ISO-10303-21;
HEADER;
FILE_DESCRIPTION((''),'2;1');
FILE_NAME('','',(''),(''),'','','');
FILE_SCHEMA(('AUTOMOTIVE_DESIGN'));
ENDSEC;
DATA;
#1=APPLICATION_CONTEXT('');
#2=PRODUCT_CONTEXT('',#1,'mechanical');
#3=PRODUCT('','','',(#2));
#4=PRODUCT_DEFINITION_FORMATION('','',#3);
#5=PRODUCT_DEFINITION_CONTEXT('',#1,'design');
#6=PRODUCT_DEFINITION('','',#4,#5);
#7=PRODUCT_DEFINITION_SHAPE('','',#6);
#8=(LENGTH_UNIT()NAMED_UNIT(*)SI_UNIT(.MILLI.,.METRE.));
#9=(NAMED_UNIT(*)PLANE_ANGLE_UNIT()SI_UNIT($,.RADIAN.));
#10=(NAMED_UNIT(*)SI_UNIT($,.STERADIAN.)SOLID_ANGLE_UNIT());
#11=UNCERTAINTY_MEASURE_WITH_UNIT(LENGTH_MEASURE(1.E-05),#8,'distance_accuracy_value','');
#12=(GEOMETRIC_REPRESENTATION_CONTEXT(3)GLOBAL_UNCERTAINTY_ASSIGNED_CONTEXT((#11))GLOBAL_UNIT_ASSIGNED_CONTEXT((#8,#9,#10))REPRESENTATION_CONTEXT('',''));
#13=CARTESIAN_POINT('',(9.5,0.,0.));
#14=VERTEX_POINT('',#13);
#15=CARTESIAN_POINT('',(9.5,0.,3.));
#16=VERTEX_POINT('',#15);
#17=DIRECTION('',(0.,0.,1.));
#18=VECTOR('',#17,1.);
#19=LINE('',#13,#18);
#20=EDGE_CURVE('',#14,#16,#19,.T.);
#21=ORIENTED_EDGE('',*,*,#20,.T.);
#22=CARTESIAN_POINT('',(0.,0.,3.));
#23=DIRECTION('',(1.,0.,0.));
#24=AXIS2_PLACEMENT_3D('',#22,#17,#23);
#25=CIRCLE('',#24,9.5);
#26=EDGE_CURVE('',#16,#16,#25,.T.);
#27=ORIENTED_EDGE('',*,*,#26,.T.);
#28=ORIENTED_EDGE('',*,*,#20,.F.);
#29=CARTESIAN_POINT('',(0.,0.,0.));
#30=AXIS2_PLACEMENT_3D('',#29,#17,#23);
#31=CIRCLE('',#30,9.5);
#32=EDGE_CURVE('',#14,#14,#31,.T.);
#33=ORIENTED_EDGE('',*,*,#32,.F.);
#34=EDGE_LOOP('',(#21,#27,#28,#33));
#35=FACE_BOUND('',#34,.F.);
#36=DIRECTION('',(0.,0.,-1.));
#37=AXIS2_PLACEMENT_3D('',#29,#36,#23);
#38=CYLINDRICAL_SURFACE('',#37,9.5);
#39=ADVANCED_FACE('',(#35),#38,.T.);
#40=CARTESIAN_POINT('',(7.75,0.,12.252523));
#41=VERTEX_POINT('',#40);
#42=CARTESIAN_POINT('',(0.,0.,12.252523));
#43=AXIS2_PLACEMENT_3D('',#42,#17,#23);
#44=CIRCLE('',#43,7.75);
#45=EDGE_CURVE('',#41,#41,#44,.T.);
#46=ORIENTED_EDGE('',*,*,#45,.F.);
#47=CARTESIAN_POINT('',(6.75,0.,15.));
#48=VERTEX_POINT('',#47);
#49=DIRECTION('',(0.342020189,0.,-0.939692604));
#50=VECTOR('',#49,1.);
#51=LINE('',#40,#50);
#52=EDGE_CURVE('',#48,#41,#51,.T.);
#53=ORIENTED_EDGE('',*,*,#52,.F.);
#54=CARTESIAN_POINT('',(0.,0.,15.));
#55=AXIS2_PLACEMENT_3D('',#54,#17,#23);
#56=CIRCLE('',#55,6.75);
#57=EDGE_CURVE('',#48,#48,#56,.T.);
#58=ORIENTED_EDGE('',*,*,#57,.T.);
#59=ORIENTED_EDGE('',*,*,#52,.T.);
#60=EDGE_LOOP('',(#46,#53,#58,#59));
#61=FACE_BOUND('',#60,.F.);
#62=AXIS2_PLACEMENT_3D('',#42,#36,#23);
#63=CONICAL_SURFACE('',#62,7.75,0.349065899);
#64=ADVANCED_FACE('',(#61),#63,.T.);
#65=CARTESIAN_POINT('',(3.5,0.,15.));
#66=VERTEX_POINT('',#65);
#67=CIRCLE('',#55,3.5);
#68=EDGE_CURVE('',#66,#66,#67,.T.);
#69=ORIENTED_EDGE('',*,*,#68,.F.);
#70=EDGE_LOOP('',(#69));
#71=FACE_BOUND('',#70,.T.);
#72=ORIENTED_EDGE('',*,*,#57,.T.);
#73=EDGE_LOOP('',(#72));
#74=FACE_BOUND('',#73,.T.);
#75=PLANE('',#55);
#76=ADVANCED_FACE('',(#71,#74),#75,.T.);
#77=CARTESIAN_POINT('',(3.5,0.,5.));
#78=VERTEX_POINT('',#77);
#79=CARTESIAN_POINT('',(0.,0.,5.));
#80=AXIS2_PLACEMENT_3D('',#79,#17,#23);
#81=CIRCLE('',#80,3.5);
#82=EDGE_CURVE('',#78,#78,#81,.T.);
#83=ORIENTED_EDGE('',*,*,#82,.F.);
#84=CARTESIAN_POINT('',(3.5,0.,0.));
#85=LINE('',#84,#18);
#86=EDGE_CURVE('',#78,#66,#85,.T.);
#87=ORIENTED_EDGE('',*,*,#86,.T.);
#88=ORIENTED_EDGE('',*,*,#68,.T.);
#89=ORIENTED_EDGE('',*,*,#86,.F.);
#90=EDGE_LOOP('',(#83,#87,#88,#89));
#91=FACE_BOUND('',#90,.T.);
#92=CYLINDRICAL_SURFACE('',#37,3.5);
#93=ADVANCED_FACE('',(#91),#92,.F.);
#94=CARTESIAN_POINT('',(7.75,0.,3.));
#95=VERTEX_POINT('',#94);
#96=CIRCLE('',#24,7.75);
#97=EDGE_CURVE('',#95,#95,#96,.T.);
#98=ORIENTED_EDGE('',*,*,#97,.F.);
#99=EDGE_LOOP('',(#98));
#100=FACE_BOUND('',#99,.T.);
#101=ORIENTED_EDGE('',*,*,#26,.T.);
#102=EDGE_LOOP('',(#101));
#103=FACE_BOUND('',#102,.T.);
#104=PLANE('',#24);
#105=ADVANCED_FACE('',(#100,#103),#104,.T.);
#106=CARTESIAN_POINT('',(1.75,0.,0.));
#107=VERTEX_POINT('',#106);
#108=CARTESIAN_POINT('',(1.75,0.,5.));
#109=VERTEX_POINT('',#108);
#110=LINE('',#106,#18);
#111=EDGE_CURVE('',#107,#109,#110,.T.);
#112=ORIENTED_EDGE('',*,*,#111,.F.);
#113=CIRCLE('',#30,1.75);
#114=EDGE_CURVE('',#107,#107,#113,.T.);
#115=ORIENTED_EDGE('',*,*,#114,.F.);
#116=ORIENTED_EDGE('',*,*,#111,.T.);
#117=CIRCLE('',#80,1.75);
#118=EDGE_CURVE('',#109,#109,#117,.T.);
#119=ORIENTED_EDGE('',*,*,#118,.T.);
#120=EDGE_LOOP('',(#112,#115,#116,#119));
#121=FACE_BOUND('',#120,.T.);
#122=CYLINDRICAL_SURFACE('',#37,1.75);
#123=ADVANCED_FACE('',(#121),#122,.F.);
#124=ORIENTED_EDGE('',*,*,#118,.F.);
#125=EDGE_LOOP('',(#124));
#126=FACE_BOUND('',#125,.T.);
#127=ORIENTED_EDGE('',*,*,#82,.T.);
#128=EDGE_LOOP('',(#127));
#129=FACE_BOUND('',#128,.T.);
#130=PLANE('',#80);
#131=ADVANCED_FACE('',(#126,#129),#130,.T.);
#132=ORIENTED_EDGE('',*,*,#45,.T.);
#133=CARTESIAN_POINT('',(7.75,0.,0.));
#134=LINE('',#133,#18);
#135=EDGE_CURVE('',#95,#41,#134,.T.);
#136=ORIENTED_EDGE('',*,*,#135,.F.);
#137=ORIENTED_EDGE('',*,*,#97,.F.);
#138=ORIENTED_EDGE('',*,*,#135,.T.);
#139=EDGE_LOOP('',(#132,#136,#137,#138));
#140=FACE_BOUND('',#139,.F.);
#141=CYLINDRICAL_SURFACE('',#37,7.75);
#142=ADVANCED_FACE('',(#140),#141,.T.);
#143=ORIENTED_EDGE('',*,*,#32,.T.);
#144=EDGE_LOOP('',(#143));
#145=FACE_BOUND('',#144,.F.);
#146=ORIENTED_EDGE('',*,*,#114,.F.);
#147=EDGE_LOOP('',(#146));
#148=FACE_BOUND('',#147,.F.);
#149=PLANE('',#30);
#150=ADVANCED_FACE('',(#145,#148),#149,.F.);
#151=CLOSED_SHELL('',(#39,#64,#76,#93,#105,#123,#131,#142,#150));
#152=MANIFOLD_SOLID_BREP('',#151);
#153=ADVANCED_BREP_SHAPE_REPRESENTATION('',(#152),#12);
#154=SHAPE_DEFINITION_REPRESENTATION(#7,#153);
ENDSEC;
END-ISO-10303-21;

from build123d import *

# Parameters (mm, degrees)
F0_R     = 9.5
F0_R_2   = 7.75
F1_DEPTH = 3
F0_R_3   = 3.5
F2_DEPTH = 15
F0_R_4   = 1.75
F3_DEPTH = 5
F4_SIZE2 = 2.747477
F4_SIZE  = 1


with BuildPart() as f1:
    # F0 (on Top) → F1 (new body)
    with BuildSketch(Plane.XY):
        Circle(F0_R)
        Circle(F0_R_2, mode=Mode.SUBTRACT)
    extrude(amount=F1_DEPTH)

    # F0 (on Top) → F2 (join)
    with BuildSketch(Plane.XY):
        Circle(F0_R_2)
        Circle(F0_R_3, mode=Mode.SUBTRACT)
    extrude(amount=F2_DEPTH)

    # F0 (on Top) → F3 (join)
    with BuildSketch(Plane.XY):
        Circle(F0_R_3)
        Circle(F0_R_4, mode=Mode.SUBTRACT)
    extrude(amount=F3_DEPTH)

    # F4
    f4_edges = [f1.edges().sort_by_distance(p)[0] for p in [
        (-7.75, 0, 15),
    ]]
    chamfer(f4_edges, length=F4_SIZE, length2=F4_SIZE2)


solid = f1.part
